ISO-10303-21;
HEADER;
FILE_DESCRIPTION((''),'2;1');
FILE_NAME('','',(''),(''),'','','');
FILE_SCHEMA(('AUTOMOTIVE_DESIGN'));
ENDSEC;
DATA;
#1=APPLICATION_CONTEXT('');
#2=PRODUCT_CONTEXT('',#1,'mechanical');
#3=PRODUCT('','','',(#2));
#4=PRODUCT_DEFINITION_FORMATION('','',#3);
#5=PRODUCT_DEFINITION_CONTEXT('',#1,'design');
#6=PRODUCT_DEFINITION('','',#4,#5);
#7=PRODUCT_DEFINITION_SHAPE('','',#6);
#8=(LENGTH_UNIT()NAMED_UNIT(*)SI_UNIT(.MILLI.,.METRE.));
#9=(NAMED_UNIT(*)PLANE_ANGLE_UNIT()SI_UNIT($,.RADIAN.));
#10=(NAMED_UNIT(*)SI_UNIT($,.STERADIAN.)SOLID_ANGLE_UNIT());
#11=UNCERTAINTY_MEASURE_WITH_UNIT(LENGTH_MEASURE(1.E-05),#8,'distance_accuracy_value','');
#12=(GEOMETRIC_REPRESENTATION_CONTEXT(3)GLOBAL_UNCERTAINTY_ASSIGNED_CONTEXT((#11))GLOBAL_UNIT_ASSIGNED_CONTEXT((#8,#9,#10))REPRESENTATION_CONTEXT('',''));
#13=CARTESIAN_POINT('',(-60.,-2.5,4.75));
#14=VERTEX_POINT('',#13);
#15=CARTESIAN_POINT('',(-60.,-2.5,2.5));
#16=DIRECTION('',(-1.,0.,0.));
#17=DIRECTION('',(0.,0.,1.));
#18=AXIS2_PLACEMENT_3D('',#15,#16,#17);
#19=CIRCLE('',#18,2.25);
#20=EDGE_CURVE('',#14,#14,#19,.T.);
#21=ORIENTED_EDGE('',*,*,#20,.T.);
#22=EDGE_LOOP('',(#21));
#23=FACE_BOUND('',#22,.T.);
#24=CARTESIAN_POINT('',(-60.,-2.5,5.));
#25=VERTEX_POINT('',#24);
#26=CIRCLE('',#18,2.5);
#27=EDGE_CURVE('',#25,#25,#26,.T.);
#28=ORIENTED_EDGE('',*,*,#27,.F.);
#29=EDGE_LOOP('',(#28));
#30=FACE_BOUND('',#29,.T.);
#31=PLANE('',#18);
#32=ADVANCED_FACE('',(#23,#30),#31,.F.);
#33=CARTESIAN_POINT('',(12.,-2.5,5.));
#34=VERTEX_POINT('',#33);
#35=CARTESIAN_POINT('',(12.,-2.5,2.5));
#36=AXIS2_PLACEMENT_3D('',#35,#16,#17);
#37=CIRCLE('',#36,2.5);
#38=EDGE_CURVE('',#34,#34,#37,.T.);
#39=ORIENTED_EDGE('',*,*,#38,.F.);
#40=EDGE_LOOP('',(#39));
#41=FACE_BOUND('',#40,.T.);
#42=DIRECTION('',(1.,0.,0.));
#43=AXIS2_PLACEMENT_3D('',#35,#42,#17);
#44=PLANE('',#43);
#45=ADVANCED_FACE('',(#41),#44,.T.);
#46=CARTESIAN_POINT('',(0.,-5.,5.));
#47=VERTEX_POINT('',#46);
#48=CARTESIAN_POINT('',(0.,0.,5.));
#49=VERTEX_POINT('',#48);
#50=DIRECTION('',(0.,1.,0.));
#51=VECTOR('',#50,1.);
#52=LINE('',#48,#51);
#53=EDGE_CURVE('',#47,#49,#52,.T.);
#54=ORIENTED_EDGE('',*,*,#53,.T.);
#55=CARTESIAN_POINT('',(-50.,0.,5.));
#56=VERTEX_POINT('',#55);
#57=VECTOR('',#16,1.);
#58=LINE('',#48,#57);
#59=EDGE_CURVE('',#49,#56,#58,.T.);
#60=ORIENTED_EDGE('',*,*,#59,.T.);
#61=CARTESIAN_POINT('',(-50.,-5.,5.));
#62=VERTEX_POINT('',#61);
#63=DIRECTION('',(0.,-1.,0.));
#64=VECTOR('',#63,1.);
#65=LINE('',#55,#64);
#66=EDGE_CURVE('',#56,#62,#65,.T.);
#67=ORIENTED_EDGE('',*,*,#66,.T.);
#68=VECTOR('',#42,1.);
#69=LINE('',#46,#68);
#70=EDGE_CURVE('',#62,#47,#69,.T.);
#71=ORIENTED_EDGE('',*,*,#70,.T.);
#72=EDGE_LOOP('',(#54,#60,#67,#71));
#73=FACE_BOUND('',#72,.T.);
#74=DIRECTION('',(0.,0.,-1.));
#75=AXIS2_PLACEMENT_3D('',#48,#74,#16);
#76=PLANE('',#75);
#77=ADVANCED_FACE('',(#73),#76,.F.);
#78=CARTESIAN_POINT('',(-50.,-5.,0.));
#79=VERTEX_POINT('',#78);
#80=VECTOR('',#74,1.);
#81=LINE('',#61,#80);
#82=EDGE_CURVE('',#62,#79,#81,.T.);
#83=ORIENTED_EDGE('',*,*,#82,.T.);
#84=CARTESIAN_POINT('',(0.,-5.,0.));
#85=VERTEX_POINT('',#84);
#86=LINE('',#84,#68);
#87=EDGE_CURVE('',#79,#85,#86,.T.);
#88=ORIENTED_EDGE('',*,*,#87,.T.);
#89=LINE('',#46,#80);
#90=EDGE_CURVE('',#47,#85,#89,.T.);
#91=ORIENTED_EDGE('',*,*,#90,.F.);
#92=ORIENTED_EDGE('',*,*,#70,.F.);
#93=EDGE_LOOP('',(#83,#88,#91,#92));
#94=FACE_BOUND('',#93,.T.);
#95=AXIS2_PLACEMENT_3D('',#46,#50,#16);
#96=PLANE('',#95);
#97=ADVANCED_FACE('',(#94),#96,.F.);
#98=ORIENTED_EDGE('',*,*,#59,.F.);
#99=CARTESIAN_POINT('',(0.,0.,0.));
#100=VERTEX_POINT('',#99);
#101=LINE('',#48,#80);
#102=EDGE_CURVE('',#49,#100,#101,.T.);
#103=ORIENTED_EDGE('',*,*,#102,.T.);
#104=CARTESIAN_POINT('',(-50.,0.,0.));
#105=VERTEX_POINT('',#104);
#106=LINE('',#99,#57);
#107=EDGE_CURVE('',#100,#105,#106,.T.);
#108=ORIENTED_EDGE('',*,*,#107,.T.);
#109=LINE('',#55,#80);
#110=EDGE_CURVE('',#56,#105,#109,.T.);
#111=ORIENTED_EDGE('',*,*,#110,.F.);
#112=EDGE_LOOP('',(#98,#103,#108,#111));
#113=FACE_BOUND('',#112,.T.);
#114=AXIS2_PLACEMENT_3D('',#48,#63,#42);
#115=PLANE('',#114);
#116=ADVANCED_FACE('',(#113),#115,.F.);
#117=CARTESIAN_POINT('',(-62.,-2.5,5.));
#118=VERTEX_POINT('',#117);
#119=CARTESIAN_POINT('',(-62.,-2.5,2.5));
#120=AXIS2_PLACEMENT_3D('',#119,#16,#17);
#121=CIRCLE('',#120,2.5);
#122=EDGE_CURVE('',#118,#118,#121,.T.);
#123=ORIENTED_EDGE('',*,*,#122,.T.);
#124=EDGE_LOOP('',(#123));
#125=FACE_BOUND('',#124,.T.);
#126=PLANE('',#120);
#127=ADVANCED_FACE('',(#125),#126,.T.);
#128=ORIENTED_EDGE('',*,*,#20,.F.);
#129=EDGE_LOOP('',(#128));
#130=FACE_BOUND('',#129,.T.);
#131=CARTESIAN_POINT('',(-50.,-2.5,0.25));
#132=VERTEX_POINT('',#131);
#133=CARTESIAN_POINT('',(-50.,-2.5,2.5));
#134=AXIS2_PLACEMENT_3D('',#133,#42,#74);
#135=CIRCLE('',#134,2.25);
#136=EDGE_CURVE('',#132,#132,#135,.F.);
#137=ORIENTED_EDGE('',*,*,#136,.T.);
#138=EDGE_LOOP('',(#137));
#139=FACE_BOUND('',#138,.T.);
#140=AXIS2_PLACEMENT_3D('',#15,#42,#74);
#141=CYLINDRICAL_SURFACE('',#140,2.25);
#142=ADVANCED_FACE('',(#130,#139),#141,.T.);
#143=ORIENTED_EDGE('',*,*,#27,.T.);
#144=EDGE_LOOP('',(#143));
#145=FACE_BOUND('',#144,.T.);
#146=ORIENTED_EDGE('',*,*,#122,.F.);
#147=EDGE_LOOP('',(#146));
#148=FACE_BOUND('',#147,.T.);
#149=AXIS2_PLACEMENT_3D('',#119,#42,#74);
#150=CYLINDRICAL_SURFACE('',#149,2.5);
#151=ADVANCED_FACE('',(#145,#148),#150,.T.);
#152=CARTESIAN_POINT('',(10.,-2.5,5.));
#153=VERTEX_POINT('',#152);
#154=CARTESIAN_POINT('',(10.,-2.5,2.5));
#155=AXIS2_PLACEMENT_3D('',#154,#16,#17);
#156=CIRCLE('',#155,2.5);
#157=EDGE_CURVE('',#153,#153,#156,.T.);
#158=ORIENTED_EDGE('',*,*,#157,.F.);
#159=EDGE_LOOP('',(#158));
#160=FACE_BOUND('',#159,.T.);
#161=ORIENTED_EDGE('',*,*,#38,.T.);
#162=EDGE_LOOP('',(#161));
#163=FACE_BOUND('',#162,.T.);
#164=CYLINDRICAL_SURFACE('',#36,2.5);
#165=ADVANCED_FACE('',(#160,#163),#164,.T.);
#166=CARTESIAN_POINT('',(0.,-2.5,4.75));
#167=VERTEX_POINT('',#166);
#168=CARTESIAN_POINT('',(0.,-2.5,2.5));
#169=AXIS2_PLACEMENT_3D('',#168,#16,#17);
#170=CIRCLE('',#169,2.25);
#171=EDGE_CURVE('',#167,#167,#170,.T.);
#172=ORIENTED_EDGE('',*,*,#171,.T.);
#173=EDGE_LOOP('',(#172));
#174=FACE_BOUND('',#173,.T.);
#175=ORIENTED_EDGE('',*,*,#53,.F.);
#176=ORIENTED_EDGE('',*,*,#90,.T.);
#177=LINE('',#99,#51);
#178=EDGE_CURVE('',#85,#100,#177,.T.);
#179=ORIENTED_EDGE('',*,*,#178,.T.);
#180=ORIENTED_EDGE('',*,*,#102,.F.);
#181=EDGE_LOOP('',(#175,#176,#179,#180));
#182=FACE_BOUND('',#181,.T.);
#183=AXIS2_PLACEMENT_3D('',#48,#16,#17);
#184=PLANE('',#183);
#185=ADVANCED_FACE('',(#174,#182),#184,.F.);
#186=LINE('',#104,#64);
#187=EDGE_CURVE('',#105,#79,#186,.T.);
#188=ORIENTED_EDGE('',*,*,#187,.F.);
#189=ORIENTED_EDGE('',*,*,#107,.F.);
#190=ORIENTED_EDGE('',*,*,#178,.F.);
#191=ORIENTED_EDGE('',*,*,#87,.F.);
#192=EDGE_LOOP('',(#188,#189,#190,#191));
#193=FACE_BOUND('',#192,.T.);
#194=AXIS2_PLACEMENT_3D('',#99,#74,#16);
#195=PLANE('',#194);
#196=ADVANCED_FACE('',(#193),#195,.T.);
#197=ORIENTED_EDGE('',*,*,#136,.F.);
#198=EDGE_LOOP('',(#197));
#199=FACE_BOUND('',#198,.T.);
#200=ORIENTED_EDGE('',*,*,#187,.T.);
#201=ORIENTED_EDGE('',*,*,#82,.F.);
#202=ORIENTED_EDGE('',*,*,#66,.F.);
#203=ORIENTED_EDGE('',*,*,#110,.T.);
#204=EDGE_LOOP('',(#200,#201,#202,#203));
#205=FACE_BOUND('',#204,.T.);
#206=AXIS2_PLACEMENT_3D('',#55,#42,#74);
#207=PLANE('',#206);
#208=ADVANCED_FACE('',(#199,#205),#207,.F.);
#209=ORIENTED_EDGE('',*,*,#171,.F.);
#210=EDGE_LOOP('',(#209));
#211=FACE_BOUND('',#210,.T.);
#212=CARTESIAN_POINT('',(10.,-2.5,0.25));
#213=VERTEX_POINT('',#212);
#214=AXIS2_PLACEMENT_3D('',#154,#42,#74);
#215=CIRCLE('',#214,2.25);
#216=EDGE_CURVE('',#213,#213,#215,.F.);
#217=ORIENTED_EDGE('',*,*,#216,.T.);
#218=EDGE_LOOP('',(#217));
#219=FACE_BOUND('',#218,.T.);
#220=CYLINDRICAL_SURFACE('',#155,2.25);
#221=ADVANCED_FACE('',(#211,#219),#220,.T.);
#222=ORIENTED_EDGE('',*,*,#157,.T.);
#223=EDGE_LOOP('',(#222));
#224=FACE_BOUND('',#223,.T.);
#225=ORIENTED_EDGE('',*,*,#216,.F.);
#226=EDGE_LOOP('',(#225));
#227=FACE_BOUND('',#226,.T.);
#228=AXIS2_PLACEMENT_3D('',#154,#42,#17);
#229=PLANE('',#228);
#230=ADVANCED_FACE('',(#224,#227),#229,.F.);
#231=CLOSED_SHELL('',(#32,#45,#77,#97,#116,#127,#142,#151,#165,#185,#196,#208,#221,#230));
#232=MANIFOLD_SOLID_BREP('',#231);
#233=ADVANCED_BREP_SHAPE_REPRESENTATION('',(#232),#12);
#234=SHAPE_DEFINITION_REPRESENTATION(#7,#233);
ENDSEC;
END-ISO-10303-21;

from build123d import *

# Parameters (mm, degrees)
ESBO_O1_W                = 50
ESBO_O1_H                = 5
RESSALTO_EXTRUS_O1_DEPTH = 5
ESBO_O2_R                = 2.25
RESSALTO_EXTRUS_O2_DEPTH = 10
ESBO_O3_R                = 2.5
RESSALTO_EXTRUS_O3_DEPTH = 2


with BuildPart() as part:
    # Esboço1 → Ressalto-extrusão1 (new body)
    with BuildSketch(Plane.XY):
        with Locations((-25, -2.5)):
            Rectangle(ESBO_O1_W, ESBO_O1_H)
    extrude(amount=RESSALTO_EXTRUS_O1_DEPTH)

    # Esboço2 → Ressalto-extrusão2 (add)
    with BuildSketch(Plane.ZY.offset(50)):
        with Locations(Location((2.5, -2.5, 0), (0, 0, 180))):
            Circle(ESBO_O2_R)
    ressalto_extrus_o2 = extrude(amount=RESSALTO_EXTRUS_O2_DEPTH)

    # Esboço3 → Ressalto-extrusão3 (add)
    with BuildSketch(Plane.ZY.offset(60)):
        with Locations((2.5, -2.5)):
            Circle(ESBO_O3_R)
    ressalto_extrus_o3 = extrude(amount=RESSALTO_EXTRUS_O3_DEPTH)

    # Espelhar1: Ressalto-extrusão2, Ressalto-extrusão3 across plane
    add(ressalto_extrus_o2.mirror(Plane.ZY.offset(25)))
    add(ressalto_extrus_o3.mirror(Plane.ZY.offset(25)))


solid = part.part
